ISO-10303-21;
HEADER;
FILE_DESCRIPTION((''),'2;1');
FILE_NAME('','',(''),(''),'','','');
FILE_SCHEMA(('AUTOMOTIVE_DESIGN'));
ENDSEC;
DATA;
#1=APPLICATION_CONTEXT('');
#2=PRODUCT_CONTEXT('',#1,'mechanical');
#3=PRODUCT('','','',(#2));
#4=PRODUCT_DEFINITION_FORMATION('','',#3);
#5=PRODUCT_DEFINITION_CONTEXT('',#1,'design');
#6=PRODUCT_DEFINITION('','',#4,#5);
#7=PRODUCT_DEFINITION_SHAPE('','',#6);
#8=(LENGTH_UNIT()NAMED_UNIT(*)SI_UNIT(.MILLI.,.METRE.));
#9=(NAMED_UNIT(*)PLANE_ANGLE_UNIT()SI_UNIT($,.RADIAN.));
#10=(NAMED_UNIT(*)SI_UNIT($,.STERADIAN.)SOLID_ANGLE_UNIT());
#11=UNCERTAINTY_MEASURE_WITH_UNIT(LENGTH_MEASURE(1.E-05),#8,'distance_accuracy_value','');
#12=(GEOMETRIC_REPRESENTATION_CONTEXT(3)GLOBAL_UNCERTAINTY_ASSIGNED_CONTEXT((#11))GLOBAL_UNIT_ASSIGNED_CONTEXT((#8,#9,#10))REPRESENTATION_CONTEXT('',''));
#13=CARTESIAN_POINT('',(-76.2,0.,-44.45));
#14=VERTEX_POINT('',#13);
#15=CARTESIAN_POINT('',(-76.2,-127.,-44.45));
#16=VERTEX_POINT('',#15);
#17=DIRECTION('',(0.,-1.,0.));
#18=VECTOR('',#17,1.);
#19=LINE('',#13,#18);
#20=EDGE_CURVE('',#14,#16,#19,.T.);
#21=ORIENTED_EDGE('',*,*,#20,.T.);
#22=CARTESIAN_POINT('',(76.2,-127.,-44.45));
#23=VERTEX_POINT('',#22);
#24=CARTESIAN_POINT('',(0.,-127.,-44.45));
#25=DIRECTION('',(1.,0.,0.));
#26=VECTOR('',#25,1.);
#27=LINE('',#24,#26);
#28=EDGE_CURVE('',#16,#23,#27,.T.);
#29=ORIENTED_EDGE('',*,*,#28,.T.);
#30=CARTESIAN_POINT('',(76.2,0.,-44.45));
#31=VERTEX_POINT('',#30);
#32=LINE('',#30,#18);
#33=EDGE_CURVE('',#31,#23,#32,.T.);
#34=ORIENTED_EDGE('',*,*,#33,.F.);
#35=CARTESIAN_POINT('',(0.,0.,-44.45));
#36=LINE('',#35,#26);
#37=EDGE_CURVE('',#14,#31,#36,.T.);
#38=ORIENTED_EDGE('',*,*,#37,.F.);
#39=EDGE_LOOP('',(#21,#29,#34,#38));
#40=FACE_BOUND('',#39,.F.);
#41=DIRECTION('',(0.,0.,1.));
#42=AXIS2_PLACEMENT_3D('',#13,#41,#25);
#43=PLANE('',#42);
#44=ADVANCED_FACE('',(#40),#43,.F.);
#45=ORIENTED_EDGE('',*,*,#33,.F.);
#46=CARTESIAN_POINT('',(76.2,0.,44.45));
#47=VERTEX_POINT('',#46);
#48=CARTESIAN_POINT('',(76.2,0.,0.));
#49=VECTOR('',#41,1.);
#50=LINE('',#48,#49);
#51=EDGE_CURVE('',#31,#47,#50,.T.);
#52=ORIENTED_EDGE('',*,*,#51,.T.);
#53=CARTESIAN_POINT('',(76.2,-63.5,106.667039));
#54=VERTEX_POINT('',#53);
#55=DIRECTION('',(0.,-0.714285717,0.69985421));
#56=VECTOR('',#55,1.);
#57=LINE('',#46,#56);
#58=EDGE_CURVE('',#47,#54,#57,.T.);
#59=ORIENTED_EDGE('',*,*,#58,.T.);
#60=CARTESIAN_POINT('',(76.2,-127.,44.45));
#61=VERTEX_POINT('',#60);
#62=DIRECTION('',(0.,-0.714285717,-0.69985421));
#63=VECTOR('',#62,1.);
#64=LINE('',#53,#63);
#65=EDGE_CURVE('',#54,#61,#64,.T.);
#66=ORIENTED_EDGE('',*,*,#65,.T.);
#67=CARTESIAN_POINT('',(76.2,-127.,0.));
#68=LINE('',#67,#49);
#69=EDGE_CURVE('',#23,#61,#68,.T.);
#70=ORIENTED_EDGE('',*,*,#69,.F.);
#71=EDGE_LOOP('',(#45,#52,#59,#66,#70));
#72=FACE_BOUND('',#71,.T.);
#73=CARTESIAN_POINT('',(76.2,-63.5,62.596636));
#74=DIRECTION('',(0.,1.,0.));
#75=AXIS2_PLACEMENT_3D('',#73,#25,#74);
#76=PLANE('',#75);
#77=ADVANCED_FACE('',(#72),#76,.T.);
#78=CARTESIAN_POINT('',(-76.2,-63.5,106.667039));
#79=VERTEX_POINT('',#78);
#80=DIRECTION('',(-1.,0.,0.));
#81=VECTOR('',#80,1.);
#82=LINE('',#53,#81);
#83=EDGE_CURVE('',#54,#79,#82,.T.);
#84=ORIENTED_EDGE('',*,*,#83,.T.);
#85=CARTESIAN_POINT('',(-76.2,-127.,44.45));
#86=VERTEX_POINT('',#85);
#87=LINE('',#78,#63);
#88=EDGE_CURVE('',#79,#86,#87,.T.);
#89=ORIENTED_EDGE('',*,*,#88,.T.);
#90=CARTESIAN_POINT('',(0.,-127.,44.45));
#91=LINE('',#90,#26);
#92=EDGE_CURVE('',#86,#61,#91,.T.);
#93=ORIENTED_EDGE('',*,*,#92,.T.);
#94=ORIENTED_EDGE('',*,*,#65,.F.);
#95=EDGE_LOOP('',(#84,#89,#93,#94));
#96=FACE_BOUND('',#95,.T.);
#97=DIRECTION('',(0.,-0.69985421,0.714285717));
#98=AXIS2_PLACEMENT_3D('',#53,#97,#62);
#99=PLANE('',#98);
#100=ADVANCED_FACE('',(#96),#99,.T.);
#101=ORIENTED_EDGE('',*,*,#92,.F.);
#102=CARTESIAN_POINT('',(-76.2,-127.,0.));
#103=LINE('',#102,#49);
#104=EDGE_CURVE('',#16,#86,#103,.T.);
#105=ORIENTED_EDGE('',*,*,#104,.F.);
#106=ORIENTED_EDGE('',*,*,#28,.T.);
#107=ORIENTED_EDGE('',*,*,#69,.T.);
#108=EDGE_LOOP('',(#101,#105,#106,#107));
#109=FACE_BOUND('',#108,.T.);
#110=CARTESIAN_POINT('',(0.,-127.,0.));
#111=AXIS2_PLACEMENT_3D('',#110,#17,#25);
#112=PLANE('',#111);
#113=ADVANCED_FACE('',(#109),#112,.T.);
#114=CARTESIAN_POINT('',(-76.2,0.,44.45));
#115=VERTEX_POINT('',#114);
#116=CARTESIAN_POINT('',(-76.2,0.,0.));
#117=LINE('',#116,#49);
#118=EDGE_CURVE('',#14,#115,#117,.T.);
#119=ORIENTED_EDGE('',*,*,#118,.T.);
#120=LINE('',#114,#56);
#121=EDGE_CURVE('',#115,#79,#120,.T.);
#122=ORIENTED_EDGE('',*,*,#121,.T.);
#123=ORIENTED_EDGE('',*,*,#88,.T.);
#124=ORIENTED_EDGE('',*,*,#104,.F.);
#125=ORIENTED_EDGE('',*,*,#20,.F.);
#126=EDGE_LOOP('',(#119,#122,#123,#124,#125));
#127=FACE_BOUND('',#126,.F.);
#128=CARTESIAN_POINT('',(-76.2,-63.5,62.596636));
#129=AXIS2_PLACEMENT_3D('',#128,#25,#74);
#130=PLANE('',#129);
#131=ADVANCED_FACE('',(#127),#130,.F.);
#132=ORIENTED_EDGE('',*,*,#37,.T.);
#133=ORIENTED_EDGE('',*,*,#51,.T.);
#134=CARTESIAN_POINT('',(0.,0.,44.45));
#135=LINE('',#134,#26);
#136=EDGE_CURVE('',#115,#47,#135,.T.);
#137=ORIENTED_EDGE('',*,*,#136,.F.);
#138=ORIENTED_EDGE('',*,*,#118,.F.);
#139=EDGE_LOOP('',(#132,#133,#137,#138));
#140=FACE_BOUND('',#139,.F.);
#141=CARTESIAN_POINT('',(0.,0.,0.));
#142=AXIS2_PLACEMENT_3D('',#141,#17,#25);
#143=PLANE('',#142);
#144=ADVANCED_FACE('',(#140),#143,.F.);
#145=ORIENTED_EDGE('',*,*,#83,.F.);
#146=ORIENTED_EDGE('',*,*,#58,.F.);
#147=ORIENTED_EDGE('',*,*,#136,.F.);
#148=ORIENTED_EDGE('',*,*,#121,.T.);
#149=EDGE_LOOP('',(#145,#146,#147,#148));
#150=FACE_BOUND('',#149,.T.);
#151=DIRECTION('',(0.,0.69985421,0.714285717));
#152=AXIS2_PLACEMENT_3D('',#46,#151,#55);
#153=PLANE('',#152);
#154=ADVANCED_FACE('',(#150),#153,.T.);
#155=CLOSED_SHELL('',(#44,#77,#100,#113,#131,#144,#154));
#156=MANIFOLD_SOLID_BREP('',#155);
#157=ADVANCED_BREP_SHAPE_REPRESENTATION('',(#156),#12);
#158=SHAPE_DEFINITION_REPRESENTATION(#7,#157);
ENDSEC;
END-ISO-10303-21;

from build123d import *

# Parameters (mm, degrees)
F0_W     = 152.4
F0_H     = 88.9
F1_DEPTH = 127
F3_DEPTH = 152.4


with BuildPart() as f1:
    # F0 (on Front) → F1 (new body)
    with BuildSketch(Plane.XZ):
        Rectangle(F0_W, F0_H)
    extrude(amount=F1_DEPTH)

    # F2 (on face) → F3 (join)
    with BuildSketch(Plane.YZ.offset(76.2)):
        Polygon((-63.5, 106.667039), (-127, 44.45), (0, 44.45), align=None)
    extrude(amount=-F3_DEPTH)


solid = f1.part
